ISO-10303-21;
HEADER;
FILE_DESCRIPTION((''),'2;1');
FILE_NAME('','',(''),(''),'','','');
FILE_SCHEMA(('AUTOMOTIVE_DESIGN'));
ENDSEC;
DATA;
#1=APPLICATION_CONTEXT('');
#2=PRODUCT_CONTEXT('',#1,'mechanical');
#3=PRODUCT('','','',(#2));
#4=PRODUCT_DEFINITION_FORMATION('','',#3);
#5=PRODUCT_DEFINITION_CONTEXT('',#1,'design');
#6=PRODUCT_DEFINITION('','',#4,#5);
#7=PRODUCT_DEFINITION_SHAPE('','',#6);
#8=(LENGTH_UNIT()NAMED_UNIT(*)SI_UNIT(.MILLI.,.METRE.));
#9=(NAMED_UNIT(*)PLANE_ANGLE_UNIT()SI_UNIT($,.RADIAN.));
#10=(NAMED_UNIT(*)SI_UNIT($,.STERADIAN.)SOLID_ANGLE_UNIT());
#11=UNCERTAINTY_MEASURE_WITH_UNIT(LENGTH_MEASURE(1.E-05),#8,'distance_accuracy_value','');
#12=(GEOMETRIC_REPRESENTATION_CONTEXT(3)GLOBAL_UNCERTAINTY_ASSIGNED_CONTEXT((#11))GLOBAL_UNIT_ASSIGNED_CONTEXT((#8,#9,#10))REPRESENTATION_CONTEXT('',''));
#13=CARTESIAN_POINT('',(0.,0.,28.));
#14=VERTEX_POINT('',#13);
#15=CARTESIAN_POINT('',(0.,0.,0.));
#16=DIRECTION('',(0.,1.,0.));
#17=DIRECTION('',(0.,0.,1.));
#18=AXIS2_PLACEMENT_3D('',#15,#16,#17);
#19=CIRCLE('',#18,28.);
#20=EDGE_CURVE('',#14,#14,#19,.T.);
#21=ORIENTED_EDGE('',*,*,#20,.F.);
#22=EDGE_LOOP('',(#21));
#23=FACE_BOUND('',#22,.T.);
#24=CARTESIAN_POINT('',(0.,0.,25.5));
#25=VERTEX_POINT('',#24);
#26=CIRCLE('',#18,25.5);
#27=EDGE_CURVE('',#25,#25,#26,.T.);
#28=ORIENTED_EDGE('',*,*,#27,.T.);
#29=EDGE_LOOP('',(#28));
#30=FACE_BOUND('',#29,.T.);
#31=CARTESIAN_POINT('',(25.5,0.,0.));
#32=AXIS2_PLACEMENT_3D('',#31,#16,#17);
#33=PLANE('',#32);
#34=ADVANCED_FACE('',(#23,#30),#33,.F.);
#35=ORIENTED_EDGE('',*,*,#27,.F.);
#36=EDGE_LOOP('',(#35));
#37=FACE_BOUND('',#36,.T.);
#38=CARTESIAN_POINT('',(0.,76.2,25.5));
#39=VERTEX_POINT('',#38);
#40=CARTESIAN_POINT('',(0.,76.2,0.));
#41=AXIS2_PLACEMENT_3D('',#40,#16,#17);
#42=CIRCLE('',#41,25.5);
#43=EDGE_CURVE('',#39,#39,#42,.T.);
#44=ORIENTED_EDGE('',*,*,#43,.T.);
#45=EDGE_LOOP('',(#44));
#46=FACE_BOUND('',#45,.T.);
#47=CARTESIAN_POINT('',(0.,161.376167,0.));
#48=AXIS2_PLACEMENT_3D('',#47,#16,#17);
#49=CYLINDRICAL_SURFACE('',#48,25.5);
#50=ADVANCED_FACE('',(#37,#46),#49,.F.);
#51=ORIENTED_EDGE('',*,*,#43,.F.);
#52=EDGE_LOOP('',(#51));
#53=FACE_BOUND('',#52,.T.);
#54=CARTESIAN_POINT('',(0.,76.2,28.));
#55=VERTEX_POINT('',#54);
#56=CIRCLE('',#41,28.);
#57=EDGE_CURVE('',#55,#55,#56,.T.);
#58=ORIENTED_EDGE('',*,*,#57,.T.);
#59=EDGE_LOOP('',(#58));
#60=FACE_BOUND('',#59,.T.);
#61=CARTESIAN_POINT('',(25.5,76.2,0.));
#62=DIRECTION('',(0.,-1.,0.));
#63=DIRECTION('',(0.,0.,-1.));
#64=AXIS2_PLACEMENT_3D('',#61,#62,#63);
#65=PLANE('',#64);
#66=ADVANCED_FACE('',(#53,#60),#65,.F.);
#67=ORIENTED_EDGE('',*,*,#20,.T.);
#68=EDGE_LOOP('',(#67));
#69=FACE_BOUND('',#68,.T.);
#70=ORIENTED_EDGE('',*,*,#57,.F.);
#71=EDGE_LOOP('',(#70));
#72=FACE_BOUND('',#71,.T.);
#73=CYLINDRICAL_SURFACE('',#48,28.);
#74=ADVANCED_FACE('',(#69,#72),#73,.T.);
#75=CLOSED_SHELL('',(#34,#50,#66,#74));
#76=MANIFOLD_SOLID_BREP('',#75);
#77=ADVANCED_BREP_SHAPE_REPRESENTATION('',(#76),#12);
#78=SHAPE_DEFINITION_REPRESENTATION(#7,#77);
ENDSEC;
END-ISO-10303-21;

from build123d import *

# Parameters (mm, degrees)
SKETCH_1_W = 2.5
SKETCH_1_H = 76.2


with BuildPart() as part:
    # 草图1 → 旋转1 (revolve)
    with BuildSketch(Plane.XY, mode=Mode.PRIVATE) as revolve_1_sk:
        with Locations((26.75, 38.1)):
            Rectangle(SKETCH_1_W, SKETCH_1_H)
    revolve(revolve_1_sk.sketch.rotate(Axis((0, 161.376166943, 0), (0, -1, 0)), 90), axis=Axis((0, 161.376166943, 0), (0, -1, 0)))  # turned: the seam where the file's is


solid = part.part
